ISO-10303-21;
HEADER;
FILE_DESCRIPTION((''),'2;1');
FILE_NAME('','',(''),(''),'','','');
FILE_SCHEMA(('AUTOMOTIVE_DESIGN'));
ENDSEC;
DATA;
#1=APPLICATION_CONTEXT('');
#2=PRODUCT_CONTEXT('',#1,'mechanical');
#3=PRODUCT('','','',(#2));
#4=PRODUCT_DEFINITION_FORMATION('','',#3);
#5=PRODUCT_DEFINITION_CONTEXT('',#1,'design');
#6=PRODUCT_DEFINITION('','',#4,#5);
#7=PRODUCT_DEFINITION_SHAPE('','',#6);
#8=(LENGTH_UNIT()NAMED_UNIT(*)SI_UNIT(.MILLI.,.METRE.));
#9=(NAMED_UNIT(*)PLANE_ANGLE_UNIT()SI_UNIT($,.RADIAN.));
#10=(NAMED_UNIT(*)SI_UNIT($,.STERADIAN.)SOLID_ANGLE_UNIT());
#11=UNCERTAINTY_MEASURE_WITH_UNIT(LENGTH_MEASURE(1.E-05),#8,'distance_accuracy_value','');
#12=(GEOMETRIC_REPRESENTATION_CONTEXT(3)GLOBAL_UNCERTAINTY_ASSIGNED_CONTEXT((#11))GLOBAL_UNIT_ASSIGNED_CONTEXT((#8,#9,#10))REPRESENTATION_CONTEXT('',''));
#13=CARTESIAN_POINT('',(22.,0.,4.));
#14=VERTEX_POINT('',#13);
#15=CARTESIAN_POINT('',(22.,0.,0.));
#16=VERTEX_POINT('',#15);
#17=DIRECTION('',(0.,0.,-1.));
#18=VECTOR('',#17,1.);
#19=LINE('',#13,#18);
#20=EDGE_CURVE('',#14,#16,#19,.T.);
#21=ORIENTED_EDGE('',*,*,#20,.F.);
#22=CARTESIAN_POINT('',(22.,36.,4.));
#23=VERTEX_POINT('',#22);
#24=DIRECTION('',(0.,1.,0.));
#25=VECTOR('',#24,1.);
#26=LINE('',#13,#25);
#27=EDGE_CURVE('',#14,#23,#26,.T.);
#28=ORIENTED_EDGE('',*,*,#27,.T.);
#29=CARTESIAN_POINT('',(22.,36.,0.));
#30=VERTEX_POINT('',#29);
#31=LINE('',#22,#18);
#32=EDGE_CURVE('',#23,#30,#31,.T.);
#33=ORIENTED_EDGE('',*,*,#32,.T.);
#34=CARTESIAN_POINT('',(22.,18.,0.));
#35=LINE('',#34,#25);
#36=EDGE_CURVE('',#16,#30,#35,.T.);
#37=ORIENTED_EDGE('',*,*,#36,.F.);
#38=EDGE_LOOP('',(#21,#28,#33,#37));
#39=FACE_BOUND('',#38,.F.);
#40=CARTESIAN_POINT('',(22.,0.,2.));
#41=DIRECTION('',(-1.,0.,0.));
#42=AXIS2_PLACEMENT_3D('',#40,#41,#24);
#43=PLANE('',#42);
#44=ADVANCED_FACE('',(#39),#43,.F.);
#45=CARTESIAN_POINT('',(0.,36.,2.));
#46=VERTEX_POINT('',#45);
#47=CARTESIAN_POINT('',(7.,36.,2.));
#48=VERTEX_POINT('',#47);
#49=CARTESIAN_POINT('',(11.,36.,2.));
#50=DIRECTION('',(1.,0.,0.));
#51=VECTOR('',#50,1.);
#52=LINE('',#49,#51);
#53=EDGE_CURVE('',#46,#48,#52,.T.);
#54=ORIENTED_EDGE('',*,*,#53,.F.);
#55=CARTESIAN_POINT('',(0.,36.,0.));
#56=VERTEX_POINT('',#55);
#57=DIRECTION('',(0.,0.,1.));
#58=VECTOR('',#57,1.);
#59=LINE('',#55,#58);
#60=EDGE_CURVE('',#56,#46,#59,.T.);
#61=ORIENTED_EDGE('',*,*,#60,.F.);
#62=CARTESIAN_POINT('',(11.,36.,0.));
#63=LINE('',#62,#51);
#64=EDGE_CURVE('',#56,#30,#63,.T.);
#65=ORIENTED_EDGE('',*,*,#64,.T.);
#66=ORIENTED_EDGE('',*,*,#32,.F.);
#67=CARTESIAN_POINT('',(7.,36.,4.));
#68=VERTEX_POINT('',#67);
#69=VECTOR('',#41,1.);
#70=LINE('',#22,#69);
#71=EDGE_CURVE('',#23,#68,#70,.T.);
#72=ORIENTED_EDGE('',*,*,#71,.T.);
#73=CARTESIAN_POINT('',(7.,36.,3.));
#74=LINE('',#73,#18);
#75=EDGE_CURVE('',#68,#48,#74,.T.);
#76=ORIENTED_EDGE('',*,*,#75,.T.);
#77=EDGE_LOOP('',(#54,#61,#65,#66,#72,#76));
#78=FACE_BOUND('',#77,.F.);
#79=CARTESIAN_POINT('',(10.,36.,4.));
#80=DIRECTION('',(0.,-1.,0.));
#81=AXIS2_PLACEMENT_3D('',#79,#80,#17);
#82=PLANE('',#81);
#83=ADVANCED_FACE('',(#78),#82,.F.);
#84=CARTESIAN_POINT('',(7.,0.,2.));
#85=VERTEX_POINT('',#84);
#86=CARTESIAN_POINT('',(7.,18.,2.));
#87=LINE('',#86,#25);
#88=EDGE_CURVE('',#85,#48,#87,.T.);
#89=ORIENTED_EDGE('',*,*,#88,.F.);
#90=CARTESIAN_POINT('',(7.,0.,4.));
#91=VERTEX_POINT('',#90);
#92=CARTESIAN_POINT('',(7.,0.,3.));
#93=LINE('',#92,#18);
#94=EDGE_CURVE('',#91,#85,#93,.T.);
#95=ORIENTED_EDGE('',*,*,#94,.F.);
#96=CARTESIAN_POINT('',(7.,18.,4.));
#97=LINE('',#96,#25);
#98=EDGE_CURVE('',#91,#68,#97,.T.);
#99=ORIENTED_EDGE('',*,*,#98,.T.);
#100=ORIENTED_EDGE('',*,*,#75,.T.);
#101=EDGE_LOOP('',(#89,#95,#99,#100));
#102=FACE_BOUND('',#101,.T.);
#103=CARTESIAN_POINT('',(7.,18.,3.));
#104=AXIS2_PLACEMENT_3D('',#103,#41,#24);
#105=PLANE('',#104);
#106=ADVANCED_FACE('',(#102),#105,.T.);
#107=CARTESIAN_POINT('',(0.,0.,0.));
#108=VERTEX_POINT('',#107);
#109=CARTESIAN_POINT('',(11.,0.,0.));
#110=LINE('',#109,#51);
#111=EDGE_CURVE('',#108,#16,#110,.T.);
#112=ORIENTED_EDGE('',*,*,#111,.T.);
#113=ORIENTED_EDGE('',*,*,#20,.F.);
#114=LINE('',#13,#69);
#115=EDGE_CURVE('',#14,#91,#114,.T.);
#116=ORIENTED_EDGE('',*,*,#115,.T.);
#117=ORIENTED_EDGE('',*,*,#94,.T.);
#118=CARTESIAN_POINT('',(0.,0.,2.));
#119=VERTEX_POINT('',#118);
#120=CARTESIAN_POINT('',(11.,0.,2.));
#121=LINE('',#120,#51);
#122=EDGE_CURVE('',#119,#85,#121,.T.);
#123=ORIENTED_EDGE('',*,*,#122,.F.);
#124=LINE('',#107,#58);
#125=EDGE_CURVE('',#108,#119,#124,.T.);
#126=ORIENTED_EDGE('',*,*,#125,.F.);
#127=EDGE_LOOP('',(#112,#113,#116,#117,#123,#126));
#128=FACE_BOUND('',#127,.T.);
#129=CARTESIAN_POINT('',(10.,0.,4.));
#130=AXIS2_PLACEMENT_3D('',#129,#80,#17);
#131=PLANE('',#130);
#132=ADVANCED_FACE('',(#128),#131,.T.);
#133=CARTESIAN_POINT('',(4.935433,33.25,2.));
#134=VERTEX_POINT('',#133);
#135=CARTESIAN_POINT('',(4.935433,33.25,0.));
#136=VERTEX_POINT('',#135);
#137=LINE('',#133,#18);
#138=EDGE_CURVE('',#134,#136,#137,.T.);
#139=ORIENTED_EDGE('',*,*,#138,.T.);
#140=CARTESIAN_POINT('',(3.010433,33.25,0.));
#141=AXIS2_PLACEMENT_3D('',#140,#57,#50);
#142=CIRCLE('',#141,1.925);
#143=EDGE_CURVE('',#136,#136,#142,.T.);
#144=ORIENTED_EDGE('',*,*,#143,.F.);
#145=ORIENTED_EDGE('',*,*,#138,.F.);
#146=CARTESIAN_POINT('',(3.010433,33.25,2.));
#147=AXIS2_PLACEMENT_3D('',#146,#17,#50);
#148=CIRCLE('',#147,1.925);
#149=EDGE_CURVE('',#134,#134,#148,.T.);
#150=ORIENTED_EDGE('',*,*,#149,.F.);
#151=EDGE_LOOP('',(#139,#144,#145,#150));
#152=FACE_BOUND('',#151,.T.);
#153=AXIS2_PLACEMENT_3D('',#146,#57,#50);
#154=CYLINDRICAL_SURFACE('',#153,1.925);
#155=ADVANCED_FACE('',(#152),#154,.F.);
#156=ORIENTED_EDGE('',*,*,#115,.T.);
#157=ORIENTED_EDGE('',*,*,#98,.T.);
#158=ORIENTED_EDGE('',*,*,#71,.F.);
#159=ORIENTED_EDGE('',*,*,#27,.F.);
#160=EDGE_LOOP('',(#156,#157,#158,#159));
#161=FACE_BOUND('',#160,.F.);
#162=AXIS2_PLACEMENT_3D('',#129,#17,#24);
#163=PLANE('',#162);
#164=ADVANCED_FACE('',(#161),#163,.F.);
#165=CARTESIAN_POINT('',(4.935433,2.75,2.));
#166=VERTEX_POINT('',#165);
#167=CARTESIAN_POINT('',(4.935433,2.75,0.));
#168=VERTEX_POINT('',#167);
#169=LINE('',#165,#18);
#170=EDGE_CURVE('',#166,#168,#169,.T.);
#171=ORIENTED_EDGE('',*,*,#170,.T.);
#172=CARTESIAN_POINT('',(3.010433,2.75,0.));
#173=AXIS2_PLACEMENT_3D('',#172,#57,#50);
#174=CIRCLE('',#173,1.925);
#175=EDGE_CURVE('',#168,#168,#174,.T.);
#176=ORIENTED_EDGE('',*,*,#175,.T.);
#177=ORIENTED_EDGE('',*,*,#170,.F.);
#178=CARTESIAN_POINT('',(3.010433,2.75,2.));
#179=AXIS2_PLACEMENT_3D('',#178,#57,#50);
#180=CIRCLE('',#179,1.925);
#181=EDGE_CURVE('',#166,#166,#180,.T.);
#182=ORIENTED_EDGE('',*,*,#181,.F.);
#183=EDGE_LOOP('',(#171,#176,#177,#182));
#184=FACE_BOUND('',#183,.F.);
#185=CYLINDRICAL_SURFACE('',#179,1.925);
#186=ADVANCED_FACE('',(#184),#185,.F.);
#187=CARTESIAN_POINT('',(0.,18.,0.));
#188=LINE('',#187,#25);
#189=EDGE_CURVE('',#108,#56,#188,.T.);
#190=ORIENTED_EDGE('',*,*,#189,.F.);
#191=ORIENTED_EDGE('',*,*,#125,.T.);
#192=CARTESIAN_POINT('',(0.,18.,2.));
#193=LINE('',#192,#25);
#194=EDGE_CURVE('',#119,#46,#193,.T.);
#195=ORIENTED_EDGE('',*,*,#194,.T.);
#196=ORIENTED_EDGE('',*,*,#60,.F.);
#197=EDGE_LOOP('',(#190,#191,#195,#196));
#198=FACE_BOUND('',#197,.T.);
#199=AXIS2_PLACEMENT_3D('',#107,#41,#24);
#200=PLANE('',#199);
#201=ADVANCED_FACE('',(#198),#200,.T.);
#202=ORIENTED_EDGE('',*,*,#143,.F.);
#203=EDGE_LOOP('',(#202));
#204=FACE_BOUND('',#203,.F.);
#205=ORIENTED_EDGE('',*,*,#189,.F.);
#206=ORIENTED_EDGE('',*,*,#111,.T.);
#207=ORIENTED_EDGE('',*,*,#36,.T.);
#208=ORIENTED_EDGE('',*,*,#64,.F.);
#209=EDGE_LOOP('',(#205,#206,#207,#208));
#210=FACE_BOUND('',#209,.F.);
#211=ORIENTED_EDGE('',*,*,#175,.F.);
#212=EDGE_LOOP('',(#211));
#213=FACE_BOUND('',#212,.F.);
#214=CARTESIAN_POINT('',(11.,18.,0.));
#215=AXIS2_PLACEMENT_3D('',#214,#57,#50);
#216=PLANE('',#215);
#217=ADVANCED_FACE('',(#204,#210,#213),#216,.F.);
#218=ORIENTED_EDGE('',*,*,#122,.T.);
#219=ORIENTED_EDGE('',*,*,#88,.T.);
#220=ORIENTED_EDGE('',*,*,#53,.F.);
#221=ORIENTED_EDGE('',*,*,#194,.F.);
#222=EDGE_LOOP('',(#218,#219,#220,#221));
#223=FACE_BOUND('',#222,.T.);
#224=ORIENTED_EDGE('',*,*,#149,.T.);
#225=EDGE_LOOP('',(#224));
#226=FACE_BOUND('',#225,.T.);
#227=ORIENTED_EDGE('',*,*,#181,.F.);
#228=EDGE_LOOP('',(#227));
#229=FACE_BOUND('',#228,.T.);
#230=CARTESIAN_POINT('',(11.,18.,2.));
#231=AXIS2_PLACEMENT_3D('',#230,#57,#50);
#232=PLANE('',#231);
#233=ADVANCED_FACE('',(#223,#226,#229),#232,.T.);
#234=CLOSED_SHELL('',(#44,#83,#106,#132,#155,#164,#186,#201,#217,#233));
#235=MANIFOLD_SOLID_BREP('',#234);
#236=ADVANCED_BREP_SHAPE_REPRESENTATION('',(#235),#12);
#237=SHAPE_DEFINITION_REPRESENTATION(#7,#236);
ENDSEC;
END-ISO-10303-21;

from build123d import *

# Parameters (mm, degrees)
SKETCH_W       = 22
SKETCH_H       = 36
PAD_DEPTH      = 2
SKETCH001_R    = 1.925
HOLE_DEPTH     = 86.475848
PAD001_DEPTH   = 2
PAD001_FACE8_W = 32
PAD001_FACE8_H = 2
PAD002_DEPTH   = 10
PAD002_FACE9_W = 36
PAD002_FACE9_H = 2
PAD003_DEPTH   = 3


with BuildPart() as part:
    # Sketch → Pad (new body)
    with BuildSketch(Plane.XY):
        with Locations((11, 18)):
            Rectangle(SKETCH_W, SKETCH_H)
    extrude(amount=PAD_DEPTH)

    # Sketch001 (on Face6 of Pad) → Hole (cut, through all)
    with BuildSketch(Plane.XY.offset(2)):
        with Locations((3.010433, 2.75)):
            Circle(SKETCH001_R)
    hole = extrude(amount=-HOLE_DEPTH, mode=Mode.SUBTRACT)

    # Mirrored: Hole across Sketch001 Axis0
    add(hole.mirror(Plane(origin=(0, 18, 2), x_dir=(0, 0, 1), z_dir=(0, 1, 0))), mode=Mode.SUBTRACT)

    # Sketch002 (on Face5 of Mirrored) → Pad001 (join)
    with BuildSketch(Plane.XY.offset(2)):
        Polygon((10, 36), (10, 34), (20, 34), (20, 2), (10, 2), (10, 0), (22, 0), (22, 36), align=None)
    extrude(amount=PAD001_DEPTH)

    # Pad001 Face8 → Pad002 (add)
    with BuildSketch(Plane(origin=(20, 18, 3), x_dir=(0, 1, 0), z_dir=(-1, 0, 0))):
        Rectangle(PAD001_FACE8_W, PAD001_FACE8_H)
    extrude(amount=PAD002_DEPTH)

    # Pad002 Face9 → Pad003 (add)
    with BuildSketch(Plane(origin=(10, 18, 3), x_dir=(0, 1, 0), z_dir=(-1, 0, 0))):
        Rectangle(PAD002_FACE9_W, PAD002_FACE9_H)
    extrude(amount=PAD003_DEPTH)


solid = part.part
